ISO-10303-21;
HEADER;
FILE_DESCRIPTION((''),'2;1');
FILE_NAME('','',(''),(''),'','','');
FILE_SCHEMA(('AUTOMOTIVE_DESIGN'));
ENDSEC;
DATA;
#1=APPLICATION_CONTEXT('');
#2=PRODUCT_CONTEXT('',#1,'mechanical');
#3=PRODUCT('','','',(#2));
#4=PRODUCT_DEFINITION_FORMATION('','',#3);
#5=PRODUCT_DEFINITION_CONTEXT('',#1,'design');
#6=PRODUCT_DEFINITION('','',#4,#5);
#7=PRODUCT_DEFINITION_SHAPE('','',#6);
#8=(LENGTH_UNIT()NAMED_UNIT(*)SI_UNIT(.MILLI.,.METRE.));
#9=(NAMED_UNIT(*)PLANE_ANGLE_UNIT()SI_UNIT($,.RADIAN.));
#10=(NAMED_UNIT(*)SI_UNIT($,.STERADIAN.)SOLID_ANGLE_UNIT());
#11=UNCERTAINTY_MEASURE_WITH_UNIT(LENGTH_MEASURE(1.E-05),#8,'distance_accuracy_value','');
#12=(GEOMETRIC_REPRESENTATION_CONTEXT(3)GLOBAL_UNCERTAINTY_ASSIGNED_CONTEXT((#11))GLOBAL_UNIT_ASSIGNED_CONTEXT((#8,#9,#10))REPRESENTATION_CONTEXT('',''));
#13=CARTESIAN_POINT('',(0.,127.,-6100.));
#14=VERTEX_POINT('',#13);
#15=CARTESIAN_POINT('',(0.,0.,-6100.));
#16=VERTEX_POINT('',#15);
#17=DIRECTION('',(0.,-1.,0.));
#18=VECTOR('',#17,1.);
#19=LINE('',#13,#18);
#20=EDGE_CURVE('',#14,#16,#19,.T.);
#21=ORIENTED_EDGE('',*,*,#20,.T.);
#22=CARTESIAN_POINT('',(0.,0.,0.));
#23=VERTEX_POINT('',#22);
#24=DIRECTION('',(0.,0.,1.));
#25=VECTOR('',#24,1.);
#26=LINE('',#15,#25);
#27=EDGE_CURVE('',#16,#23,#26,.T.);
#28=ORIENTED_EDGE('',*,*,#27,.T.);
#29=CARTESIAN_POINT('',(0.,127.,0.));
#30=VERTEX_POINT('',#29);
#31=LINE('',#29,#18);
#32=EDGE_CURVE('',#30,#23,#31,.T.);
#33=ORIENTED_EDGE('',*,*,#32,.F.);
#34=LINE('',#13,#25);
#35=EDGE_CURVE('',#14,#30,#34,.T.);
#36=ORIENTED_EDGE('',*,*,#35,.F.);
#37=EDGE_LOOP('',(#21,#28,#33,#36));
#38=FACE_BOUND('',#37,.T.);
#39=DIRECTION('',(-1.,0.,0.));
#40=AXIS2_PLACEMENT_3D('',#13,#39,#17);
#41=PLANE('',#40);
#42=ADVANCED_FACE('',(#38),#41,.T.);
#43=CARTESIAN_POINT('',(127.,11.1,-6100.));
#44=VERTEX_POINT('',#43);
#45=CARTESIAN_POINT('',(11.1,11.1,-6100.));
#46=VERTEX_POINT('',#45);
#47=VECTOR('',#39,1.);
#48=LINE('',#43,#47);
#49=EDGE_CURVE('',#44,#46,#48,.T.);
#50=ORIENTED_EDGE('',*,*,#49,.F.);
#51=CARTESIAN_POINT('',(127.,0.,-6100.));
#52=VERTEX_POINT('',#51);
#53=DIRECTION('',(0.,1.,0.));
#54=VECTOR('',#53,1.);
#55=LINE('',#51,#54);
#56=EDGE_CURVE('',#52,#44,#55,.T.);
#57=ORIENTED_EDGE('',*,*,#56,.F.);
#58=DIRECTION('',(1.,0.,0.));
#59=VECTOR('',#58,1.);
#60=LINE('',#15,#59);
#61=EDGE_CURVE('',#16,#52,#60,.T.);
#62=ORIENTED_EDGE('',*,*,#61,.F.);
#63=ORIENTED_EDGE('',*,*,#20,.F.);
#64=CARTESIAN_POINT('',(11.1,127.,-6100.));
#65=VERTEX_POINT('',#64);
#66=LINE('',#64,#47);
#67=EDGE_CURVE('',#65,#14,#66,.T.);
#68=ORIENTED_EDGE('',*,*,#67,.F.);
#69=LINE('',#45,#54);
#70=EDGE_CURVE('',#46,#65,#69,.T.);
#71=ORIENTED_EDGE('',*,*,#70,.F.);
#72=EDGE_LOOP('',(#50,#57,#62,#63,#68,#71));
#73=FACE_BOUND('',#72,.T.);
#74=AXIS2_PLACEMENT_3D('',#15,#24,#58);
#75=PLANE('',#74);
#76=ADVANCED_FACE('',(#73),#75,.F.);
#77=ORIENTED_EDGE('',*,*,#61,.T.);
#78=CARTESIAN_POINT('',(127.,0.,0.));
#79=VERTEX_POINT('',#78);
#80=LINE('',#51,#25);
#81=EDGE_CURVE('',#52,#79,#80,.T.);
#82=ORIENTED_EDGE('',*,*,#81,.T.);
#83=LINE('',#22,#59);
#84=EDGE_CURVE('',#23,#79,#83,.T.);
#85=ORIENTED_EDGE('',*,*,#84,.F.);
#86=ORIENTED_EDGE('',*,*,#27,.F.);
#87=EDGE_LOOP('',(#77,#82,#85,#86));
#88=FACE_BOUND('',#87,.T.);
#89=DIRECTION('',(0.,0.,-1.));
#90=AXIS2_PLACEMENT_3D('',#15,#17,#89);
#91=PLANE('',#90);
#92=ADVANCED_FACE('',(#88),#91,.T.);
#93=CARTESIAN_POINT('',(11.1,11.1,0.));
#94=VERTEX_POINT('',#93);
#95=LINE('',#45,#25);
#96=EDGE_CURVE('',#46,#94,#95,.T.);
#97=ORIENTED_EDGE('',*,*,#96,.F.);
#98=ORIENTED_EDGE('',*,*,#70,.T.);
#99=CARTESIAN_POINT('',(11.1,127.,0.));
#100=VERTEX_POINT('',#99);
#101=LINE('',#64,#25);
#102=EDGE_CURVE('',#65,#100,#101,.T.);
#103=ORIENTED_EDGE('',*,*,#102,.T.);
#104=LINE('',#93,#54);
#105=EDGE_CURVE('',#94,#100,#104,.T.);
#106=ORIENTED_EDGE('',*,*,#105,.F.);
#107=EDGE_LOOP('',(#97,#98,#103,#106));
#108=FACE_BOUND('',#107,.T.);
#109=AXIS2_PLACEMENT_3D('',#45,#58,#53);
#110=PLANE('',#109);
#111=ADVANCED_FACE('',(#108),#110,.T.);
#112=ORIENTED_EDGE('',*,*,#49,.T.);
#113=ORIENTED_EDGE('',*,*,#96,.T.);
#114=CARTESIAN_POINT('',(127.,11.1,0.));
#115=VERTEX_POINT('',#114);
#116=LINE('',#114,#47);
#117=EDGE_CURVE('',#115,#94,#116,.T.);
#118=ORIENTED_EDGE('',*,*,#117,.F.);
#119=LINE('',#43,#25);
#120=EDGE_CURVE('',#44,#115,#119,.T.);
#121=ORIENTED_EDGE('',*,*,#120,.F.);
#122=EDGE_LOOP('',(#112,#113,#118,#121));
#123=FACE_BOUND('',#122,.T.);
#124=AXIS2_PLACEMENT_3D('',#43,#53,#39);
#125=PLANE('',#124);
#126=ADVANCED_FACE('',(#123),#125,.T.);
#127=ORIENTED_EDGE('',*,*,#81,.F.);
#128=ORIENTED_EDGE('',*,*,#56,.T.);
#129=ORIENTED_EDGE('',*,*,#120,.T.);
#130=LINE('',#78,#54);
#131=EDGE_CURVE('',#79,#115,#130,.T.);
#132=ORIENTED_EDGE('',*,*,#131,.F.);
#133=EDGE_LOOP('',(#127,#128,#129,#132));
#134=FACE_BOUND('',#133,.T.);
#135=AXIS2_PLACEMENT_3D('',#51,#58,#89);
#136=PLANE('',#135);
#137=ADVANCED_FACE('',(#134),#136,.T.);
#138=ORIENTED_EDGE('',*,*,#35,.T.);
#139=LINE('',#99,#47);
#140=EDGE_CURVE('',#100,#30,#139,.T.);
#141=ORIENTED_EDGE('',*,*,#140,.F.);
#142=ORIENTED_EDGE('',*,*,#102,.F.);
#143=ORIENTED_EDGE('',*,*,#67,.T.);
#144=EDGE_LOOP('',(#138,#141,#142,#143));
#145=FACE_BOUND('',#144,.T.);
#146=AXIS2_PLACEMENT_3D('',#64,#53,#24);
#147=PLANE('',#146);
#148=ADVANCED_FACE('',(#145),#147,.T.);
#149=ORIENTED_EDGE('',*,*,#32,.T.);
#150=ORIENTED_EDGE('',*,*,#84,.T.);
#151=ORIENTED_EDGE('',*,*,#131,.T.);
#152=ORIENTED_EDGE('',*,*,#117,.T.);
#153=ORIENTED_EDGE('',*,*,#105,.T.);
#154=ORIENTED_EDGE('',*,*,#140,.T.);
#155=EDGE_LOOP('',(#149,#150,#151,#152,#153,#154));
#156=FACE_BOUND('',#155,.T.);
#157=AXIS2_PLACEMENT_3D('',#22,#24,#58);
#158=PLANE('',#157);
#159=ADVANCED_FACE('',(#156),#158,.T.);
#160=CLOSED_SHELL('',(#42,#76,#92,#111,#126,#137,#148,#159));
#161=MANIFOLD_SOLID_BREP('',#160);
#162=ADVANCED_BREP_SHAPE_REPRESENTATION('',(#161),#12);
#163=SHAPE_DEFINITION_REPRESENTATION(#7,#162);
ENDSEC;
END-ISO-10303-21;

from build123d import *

# Parameters (mm, degrees)
SALIENTE_EXTRUIR1_DEPTH = 6100


with BuildPart() as part:
    # Croquis1 → Saliente-Extruir1 (new body)
    with BuildSketch(Plane.XY):
        Polygon((0, 127), (0, 0), (127, 0), (127, 11.1), (11.1, 11.1), (11.1, 127), align=None)
    extrude(amount=-SALIENTE_EXTRUIR1_DEPTH)


solid = part.part
